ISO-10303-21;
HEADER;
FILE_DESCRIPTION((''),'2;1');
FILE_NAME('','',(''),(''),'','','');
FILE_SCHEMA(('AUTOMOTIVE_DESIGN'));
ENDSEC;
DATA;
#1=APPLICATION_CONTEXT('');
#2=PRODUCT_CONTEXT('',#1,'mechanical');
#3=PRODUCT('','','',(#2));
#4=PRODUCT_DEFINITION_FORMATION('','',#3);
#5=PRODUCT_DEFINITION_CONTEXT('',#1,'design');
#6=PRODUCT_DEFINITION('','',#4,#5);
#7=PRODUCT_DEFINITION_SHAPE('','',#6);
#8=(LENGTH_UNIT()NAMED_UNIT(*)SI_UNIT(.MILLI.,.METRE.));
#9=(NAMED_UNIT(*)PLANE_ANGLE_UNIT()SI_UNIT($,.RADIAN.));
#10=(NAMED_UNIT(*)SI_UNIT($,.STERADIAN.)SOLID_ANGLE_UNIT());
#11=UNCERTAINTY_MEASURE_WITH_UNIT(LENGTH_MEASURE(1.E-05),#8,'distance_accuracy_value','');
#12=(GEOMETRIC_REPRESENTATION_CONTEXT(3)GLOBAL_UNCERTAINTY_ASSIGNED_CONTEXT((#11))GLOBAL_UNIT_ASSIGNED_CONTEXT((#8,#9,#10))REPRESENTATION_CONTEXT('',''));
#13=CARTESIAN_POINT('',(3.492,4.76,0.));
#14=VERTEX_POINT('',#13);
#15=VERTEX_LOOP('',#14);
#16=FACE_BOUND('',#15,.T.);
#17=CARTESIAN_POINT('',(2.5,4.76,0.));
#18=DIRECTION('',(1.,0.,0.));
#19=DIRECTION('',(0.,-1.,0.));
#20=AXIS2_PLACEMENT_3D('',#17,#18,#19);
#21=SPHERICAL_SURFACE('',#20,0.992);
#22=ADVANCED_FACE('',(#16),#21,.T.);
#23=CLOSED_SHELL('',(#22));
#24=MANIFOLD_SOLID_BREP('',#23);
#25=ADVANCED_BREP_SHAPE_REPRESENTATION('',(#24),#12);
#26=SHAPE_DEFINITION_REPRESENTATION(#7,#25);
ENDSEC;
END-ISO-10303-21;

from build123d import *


with BuildPart() as part:
    # Sketch1 → Revolve1 (revolve)
    with BuildSketch(Plane.XY):
        with BuildLine():
            Line((3.492, 4.76), (1.508, 4.76))
            ThreePointArc((1.508, 4.76), (2.5, 5.752), (3.492, 4.76))
        make_face()
    revolve(axis=Axis((3.492, 4.76, 0), (-1, 0, 0)))


solid = part.part
